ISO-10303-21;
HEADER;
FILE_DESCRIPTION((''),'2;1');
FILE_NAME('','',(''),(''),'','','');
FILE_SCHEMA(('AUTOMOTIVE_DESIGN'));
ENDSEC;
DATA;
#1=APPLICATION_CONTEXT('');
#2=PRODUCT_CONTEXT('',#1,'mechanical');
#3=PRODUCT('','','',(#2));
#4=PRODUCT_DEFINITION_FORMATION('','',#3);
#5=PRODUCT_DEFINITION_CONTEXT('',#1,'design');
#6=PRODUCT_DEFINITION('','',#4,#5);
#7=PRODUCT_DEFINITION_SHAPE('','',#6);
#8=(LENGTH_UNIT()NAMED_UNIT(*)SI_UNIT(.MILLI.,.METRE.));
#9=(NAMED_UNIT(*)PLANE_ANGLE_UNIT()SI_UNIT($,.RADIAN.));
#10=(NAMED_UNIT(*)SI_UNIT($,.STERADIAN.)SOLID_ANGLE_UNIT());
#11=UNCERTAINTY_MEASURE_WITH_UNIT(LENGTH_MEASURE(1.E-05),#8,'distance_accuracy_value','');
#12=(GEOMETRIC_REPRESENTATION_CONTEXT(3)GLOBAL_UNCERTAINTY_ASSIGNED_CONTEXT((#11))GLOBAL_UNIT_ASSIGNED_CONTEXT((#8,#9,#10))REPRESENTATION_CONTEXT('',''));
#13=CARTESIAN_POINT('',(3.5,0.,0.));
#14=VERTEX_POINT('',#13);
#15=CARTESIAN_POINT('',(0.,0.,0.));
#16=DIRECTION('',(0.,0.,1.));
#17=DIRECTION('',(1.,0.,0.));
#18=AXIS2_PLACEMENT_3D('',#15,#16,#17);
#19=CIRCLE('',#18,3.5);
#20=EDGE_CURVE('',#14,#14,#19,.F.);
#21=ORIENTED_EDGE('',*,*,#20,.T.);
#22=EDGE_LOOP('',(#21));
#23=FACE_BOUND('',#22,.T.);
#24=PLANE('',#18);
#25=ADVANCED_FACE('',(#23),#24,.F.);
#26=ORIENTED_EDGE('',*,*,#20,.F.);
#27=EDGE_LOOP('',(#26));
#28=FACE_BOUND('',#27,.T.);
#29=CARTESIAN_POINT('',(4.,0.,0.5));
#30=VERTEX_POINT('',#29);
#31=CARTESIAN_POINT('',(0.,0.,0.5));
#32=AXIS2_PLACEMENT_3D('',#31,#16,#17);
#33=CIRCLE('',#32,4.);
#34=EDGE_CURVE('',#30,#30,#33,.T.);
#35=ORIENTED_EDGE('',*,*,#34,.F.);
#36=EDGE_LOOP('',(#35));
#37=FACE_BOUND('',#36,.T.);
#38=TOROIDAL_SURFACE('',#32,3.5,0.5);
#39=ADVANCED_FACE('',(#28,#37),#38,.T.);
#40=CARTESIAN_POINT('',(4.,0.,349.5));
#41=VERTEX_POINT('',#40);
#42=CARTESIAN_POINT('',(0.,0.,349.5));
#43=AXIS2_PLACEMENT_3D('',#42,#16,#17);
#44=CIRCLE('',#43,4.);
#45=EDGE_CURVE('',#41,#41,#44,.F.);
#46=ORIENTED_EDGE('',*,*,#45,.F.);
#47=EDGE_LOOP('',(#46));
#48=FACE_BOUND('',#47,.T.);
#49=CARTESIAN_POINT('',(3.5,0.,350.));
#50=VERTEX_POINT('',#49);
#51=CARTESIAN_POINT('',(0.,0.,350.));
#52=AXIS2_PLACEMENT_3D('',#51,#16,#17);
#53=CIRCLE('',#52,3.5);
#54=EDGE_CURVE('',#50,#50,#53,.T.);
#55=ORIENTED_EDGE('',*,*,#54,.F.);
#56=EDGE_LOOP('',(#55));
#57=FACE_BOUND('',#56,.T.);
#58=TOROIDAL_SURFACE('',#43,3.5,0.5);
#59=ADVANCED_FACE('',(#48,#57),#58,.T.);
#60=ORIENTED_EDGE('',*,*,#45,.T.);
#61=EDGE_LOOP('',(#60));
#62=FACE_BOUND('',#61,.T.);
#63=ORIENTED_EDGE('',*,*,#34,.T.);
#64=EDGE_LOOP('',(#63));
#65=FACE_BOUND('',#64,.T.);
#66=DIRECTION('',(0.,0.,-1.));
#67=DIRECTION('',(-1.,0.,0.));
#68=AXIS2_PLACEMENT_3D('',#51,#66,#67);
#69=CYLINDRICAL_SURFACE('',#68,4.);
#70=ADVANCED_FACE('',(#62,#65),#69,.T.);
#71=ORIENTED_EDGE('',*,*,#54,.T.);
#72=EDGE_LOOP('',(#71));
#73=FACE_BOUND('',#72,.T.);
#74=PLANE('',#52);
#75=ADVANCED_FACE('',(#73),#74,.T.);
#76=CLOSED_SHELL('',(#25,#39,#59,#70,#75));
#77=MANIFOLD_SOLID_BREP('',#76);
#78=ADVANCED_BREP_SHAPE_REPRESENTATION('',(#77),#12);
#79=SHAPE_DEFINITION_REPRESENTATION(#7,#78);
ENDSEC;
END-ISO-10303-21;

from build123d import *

# Parameters (mm, degrees)
ESQUISSE1_R        = 4
BOSS_EXTRU_1_DEPTH = 350
CONG_1_R           = 0.5


with BuildPart() as part:
    # Esquisse1 → Boss.-Extru.1 (new body)
    with BuildSketch(Plane.XY):
        Circle(ESQUISSE1_R)
    extrude(amount=BOSS_EXTRU_1_DEPTH)

    # Congé1
    cong_1_edges = [part.edges().sort_by_distance(p)[0] for p in [
        (-4, 0, 0),
        (-4, 0, 350),
    ]]
    fillet(cong_1_edges, radius=CONG_1_R)


solid = part.part
